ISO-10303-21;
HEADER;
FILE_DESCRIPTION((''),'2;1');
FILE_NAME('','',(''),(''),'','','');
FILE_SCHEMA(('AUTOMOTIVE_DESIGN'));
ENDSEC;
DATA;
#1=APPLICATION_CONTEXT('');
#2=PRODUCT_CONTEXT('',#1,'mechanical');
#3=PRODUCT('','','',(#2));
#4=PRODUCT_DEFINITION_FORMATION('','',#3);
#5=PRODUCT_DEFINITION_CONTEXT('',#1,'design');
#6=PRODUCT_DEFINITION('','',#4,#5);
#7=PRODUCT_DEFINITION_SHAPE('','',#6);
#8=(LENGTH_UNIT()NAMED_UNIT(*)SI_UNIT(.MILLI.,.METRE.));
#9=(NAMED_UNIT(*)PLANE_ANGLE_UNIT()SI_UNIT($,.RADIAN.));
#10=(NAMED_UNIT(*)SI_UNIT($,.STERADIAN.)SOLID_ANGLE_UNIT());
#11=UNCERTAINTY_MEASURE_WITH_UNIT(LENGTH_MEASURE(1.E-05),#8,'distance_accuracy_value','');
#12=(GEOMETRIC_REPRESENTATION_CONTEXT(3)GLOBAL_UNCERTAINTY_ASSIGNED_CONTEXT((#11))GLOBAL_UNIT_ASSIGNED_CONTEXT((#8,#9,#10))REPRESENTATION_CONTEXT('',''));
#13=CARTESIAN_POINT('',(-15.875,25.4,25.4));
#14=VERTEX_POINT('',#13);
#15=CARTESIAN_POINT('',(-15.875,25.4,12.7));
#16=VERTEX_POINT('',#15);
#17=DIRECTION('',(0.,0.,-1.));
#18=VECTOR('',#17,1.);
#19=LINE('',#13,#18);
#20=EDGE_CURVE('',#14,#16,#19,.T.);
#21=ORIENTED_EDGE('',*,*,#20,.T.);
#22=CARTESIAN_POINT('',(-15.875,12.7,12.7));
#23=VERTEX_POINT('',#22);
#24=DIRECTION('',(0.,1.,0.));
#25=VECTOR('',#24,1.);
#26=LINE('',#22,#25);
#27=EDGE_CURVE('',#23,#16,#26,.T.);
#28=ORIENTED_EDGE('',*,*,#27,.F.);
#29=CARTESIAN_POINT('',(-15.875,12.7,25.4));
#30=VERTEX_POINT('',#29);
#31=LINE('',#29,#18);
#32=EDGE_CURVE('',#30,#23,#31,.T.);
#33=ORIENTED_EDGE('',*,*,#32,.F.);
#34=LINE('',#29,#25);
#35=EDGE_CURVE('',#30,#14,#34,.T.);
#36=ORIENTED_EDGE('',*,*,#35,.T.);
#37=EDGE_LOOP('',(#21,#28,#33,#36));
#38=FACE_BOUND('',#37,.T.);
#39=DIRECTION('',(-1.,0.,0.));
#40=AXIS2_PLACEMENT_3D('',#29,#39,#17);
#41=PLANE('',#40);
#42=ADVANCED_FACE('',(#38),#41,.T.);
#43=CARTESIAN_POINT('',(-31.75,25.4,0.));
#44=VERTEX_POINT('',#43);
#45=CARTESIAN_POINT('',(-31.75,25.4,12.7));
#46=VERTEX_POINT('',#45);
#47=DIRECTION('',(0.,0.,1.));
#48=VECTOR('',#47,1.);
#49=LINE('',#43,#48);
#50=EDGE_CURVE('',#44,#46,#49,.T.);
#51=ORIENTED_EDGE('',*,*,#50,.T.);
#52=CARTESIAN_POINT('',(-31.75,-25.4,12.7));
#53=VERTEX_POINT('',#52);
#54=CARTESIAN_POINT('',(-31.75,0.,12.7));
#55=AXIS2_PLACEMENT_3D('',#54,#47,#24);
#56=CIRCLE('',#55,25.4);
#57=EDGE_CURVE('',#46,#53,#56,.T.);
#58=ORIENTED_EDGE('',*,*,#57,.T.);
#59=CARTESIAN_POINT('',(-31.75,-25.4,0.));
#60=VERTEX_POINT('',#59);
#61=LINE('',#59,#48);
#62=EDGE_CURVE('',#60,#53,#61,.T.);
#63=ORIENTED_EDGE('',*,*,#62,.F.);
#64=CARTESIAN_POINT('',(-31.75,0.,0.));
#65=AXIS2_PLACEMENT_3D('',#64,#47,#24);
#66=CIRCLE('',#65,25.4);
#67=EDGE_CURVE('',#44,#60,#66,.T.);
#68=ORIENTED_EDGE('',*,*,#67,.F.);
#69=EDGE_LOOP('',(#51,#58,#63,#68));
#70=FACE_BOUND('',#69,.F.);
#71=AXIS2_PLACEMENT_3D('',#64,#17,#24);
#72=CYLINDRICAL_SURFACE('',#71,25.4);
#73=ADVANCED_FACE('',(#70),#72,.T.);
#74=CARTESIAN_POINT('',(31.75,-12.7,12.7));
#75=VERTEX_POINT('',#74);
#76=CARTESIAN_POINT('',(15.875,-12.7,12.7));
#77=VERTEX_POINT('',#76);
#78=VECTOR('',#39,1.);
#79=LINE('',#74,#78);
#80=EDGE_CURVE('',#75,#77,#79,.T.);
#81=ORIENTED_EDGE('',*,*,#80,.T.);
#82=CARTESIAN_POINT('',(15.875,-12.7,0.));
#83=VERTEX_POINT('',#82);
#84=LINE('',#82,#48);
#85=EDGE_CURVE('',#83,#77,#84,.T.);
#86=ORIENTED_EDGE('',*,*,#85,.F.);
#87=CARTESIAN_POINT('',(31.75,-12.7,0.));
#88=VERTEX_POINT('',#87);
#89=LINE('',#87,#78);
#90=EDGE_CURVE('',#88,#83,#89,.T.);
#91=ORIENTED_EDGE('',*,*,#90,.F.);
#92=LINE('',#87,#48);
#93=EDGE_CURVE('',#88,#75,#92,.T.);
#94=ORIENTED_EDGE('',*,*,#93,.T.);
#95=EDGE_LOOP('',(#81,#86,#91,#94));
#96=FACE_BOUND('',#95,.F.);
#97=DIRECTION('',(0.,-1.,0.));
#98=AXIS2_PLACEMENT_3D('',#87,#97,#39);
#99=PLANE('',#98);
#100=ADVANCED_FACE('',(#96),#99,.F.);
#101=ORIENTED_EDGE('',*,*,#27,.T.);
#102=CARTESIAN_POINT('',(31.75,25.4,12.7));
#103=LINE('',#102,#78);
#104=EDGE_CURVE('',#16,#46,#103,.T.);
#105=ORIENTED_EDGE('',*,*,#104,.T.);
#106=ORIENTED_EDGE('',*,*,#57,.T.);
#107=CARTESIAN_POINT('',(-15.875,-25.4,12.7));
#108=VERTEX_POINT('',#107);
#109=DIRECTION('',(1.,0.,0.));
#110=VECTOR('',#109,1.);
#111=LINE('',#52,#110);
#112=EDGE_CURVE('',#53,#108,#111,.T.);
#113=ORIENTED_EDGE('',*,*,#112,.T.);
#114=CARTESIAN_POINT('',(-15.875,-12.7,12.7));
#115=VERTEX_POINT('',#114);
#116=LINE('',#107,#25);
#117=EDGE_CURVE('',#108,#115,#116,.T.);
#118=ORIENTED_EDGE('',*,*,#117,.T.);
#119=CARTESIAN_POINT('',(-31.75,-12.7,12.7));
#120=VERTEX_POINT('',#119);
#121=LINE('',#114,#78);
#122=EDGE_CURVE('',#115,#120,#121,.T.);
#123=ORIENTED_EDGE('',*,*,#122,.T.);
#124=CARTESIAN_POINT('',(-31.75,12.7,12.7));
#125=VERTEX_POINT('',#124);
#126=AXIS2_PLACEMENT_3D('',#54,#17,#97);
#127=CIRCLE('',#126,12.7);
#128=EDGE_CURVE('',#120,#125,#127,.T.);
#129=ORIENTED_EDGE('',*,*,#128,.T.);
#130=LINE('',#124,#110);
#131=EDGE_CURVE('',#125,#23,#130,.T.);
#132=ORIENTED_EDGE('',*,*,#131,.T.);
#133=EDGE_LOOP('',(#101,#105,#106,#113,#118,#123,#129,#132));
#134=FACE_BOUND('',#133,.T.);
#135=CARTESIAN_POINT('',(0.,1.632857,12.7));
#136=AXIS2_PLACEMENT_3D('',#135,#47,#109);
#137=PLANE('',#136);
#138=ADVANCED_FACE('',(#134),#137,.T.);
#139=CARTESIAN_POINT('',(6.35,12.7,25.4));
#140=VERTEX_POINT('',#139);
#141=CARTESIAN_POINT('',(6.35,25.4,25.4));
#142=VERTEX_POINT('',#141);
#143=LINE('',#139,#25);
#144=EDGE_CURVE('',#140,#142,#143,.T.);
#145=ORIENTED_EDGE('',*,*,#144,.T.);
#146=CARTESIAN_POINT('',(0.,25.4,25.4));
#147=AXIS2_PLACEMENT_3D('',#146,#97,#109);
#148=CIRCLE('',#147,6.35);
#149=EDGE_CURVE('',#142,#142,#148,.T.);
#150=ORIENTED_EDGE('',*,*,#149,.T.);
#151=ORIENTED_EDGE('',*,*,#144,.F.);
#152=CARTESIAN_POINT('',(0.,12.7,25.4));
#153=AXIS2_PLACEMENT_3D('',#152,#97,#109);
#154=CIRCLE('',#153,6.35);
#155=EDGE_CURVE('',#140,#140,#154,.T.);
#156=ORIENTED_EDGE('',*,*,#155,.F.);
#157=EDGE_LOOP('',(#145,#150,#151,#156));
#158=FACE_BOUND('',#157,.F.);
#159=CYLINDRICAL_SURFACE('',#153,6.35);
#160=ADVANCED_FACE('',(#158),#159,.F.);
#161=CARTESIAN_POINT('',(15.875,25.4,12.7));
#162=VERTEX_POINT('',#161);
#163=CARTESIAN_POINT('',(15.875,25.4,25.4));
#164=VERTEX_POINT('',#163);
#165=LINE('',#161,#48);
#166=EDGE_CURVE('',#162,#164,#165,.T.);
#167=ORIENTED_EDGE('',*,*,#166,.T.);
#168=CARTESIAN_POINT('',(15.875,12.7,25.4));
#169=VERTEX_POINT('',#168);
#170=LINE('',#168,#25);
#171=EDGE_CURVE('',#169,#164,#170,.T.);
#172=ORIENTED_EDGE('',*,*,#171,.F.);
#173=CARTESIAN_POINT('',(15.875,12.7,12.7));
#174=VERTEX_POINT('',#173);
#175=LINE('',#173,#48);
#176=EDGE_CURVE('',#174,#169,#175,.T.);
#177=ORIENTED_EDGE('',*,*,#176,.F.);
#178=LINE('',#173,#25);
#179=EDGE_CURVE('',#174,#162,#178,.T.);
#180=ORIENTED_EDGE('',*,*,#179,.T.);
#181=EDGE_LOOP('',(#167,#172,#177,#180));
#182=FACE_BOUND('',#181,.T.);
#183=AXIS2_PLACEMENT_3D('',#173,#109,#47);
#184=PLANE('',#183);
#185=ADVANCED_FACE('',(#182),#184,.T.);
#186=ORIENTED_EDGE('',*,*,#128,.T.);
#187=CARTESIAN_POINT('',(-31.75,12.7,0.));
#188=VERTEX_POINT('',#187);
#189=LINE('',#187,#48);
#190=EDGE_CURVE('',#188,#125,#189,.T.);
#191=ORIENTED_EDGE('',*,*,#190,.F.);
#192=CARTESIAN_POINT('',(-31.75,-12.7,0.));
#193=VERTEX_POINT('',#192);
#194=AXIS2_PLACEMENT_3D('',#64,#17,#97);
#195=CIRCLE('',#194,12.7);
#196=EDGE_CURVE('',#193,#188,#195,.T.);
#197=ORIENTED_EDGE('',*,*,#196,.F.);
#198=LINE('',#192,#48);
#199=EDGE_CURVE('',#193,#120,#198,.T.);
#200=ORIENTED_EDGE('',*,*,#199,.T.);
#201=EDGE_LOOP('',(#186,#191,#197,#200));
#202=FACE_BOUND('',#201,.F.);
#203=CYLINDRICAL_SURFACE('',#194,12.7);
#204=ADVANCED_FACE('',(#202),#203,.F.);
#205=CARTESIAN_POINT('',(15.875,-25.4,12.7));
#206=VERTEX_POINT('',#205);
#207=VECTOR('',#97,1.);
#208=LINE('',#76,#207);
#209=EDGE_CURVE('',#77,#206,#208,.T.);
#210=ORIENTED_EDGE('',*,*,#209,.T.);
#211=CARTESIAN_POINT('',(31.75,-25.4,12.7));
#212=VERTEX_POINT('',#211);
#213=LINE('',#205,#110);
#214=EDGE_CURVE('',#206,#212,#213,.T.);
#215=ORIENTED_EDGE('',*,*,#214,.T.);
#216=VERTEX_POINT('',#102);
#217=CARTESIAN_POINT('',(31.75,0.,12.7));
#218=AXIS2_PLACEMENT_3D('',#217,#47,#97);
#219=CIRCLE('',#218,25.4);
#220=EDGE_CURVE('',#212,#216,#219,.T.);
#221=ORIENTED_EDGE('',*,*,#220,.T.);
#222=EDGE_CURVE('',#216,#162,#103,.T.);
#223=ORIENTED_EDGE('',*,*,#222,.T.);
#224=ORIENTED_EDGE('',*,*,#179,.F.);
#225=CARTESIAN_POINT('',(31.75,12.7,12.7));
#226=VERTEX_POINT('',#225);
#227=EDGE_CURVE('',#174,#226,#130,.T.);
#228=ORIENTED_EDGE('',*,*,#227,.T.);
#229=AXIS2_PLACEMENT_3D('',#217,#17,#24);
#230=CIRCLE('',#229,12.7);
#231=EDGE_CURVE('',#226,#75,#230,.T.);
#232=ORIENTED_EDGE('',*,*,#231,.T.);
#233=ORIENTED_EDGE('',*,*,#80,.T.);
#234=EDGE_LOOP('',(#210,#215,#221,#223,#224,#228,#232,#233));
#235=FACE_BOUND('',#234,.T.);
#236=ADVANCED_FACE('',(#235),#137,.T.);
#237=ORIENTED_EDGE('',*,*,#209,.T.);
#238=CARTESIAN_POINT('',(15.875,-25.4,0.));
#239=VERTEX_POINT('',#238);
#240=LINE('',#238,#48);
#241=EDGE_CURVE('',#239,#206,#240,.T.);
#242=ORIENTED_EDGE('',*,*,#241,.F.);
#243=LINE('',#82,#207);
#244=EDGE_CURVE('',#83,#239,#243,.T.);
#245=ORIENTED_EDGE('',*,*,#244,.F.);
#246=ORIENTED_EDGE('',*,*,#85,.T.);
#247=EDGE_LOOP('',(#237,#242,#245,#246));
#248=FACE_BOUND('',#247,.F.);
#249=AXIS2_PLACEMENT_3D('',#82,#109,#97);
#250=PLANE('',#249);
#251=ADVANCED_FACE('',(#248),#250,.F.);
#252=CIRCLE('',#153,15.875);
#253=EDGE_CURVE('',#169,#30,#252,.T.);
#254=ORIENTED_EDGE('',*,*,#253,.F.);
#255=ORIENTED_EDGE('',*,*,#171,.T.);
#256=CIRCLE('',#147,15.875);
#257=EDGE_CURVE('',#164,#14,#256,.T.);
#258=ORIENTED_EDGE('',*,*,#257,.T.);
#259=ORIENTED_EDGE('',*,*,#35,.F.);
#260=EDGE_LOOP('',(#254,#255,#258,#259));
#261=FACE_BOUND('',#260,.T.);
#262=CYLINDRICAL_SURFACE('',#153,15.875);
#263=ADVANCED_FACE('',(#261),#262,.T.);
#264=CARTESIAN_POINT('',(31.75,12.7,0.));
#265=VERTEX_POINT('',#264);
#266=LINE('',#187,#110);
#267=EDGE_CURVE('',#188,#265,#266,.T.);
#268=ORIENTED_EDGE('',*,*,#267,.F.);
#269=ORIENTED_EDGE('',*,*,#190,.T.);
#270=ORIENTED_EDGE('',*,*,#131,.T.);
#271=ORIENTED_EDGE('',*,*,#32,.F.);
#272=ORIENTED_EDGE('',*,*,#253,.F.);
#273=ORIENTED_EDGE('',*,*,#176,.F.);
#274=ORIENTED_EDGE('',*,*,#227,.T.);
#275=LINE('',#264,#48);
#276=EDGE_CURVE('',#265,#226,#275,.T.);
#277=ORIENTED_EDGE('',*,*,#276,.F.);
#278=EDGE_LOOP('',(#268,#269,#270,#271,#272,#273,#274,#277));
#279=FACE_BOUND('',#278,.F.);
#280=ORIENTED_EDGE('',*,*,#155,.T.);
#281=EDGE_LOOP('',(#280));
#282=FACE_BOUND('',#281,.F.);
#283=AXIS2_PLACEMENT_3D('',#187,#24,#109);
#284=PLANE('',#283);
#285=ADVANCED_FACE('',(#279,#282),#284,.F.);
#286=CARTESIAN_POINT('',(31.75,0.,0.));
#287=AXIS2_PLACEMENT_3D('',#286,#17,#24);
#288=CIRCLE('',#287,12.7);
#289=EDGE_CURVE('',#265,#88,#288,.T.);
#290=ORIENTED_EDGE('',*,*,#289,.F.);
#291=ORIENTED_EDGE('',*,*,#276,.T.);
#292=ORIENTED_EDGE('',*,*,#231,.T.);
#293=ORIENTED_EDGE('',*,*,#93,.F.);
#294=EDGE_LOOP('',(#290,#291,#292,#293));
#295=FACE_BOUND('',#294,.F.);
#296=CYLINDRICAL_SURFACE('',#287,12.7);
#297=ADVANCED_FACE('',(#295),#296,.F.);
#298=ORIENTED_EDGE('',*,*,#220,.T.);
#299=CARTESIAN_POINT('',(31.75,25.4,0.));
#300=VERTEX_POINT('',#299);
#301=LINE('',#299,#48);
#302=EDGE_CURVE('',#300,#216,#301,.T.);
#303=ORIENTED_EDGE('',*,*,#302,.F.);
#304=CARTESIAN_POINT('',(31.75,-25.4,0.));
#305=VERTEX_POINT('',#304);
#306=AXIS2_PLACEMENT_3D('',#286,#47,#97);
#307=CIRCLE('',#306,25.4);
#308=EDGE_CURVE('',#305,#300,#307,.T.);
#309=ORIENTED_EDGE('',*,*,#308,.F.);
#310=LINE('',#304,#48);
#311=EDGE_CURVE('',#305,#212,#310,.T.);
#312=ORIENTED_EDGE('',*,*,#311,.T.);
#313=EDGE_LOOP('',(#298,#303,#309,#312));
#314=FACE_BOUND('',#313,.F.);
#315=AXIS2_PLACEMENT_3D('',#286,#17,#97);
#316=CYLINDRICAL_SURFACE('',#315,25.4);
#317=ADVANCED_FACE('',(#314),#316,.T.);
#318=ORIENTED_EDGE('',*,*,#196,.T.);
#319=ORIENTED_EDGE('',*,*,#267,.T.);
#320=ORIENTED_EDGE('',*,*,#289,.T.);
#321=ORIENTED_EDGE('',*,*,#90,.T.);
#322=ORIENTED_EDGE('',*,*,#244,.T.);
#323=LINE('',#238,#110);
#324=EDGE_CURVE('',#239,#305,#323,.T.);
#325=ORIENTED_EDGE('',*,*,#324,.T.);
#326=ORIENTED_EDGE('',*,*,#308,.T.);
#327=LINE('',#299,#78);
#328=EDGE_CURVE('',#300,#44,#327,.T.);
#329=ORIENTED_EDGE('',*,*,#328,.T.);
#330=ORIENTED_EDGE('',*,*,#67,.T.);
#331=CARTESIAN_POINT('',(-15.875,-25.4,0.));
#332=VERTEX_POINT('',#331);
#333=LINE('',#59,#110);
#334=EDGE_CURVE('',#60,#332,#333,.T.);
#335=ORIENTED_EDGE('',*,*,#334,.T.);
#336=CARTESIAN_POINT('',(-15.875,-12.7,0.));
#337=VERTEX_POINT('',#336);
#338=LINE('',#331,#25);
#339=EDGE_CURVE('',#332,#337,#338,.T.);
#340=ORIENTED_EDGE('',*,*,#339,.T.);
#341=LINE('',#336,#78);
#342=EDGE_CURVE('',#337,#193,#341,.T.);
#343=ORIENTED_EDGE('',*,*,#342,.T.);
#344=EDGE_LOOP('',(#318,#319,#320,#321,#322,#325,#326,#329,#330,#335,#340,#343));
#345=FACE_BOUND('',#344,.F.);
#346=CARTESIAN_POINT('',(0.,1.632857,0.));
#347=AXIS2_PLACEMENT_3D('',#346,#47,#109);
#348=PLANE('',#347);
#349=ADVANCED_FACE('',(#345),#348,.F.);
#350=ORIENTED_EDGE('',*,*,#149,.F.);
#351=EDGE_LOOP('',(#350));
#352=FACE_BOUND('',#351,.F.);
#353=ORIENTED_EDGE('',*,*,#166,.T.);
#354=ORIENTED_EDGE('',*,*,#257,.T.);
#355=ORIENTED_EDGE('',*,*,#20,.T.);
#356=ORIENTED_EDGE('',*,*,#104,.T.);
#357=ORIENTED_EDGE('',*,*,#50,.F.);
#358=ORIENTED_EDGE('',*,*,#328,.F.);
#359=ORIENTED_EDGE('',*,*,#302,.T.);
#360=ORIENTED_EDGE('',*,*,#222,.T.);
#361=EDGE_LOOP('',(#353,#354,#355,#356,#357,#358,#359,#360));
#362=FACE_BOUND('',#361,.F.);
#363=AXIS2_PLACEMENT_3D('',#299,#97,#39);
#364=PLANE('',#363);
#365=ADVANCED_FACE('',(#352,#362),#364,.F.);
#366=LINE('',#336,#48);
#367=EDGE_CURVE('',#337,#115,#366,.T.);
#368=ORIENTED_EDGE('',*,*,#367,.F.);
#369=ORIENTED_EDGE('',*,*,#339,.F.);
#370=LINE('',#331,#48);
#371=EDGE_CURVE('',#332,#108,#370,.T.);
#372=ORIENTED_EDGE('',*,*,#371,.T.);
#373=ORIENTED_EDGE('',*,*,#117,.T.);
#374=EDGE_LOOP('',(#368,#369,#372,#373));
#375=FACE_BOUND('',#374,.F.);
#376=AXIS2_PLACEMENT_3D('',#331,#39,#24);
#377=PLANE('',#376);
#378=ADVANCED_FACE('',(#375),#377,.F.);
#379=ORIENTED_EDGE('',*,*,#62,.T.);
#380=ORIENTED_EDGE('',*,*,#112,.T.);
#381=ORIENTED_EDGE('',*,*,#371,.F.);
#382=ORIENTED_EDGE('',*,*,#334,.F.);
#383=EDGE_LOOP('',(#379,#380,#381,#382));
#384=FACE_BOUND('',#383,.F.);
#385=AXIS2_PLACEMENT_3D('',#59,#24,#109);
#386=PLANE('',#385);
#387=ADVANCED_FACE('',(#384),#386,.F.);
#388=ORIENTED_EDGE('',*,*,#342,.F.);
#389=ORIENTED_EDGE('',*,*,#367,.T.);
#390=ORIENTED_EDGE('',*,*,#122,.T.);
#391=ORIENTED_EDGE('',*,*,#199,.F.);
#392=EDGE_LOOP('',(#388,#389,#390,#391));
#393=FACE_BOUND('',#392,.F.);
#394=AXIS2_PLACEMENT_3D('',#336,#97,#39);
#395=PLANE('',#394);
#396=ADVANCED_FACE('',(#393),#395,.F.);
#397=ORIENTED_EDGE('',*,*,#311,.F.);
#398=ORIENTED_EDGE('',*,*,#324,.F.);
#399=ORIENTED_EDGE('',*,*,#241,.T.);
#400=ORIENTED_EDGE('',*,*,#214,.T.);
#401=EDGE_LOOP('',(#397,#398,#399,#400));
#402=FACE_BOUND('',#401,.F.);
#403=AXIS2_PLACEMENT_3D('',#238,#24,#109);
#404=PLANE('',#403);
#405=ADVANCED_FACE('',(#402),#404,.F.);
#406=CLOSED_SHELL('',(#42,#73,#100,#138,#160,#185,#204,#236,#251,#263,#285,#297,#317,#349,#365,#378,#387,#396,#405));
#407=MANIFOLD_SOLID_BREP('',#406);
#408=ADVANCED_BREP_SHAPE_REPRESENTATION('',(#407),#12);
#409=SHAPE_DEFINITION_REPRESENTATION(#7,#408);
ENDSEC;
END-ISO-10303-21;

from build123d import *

# Parameters (mm, degrees)
F1_DEPTH = 12.7
F2_R     = 6.35
F3_DEPTH = 12.7


with BuildPart() as f1:
    # F0 (on Top) → F1 (new body)
    with BuildSketch(Plane.XY):
        with BuildLine():
            Line((15.875, -25.4), (31.75, -25.4))
            ThreePointArc((31.75, -25.4), (57.15, 0), (31.75, 25.4))
            Line((31.75, 25.4), (4.954765, 25.4))
            Line((4.954765, 25.4), (-4.954765, 25.4))
            Line((-4.954765, 25.4), (-31.75, 25.4))
            ThreePointArc((-31.75, 25.4), (-57.15, 0), (-31.75, -25.4))
            Line((-31.75, -25.4), (-15.875, -25.4))
            Line((-15.875, -25.4), (-15.875, -12.7))
            Line((-15.875, -12.7), (-31.75, -12.7))
            ThreePointArc((-31.75, -12.7), (-44.45, 0), (-31.75, 12.7))
            Line((-31.75, 12.7), (-12.270298, 12.7))
            Line((-12.270298, 12.7), (12.270298, 12.7))
            Line((12.270298, 12.7), (31.75, 12.7))
            ThreePointArc((31.75, 12.7), (44.45, 0), (31.75, -12.7))
            Line((31.75, -12.7), (15.875, -12.7))
            Line((15.875, -12.7), (15.875, -25.4))
        make_face()
    extrude(amount=F1_DEPTH)

    # F2 (on face) → F3 (join)
    with BuildSketch(Plane.XZ.offset(-12.7)):
        with BuildLine():
            Line((15.875, 12.7), (15.875, 25.4))
            ThreePointArc((15.875, 25.4), (0, 41.275), (-15.875, 25.4))
            Line((-15.875, 25.4), (-15.875, 12.7))
            Line((-15.875, 12.7), (15.875, 12.7))
        make_face()
        with Locations((0, 25.4)):
            Circle(F2_R, mode=Mode.SUBTRACT)
    extrude(amount=-F3_DEPTH)


solid = f1.part
